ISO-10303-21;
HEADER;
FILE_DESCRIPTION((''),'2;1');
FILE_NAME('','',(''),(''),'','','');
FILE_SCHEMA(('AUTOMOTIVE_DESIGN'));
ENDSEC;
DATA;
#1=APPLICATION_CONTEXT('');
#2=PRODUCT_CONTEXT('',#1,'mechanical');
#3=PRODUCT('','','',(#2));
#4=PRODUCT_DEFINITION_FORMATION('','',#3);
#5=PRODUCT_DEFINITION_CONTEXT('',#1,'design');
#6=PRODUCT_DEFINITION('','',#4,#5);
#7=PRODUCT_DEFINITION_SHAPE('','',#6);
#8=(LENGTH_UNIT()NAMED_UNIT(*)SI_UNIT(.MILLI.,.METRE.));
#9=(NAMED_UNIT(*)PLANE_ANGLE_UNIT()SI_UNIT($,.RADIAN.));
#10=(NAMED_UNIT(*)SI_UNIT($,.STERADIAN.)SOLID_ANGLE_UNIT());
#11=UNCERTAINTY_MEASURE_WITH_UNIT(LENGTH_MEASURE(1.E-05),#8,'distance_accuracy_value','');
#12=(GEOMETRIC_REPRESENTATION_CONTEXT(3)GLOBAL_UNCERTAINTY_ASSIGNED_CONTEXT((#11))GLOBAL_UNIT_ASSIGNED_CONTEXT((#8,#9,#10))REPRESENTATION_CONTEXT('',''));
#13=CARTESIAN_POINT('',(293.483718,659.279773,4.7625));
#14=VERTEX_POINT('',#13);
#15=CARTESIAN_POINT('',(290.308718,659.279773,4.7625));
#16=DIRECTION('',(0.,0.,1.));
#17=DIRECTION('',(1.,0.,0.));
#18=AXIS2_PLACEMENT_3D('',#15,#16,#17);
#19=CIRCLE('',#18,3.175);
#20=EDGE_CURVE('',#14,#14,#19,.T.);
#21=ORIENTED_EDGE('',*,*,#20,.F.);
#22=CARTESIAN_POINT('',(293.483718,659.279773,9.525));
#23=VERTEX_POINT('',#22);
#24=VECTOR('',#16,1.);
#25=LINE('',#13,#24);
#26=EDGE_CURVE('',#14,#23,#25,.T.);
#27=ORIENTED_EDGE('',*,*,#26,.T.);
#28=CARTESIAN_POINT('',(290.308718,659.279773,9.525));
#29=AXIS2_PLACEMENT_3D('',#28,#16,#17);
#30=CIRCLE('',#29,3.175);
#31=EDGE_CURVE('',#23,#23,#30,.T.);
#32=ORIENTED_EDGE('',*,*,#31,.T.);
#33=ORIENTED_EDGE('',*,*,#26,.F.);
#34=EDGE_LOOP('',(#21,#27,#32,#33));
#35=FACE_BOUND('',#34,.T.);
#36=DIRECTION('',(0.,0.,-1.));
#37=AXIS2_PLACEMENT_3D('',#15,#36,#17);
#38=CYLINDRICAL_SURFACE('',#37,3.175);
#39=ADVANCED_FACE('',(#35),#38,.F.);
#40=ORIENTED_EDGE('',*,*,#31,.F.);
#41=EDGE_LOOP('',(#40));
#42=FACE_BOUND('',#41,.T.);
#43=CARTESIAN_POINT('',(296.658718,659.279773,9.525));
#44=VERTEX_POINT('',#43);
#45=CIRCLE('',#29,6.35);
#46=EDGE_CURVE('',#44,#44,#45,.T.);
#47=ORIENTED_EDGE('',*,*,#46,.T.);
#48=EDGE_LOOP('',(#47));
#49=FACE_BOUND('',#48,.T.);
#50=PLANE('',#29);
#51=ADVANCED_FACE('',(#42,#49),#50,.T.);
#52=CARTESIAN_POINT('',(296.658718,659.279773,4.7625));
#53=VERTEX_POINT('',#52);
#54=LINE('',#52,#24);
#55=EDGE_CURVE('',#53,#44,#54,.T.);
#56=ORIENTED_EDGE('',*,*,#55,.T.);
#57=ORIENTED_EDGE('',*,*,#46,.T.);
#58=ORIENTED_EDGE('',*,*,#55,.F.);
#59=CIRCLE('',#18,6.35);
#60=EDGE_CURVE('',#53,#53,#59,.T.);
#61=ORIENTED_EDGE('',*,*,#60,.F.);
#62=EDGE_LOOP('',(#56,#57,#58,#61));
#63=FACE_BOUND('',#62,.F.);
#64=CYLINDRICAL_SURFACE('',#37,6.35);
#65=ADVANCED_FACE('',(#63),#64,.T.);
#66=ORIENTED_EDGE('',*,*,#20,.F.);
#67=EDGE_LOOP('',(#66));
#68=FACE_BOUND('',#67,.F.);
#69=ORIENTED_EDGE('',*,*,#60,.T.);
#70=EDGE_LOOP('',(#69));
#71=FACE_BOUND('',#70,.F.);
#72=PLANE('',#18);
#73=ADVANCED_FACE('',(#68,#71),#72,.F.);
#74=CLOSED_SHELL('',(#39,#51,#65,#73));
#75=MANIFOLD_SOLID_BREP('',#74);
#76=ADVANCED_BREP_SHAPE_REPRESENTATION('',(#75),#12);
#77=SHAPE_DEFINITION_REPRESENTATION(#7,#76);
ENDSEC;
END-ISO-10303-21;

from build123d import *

# Parameters (mm, degrees)
SKETCH2_R           = 6.35
SKETCH2_R_2         = 3.175
BOSS_EXTRUDE1_DEPTH = 4.7625


with BuildPart() as part:
    # Sketch2 → Boss-Extrude1 (new body)
    with BuildSketch(Plane.XY.offset(4.7625)):
        with Locations((290.308718483, 659.279772728)):
            Circle(SKETCH2_R)
        with Locations((290.308718483, 659.279772728)):
            Circle(SKETCH2_R_2, mode=Mode.SUBTRACT)
    extrude(amount=BOSS_EXTRUDE1_DEPTH)


solid = part.part
